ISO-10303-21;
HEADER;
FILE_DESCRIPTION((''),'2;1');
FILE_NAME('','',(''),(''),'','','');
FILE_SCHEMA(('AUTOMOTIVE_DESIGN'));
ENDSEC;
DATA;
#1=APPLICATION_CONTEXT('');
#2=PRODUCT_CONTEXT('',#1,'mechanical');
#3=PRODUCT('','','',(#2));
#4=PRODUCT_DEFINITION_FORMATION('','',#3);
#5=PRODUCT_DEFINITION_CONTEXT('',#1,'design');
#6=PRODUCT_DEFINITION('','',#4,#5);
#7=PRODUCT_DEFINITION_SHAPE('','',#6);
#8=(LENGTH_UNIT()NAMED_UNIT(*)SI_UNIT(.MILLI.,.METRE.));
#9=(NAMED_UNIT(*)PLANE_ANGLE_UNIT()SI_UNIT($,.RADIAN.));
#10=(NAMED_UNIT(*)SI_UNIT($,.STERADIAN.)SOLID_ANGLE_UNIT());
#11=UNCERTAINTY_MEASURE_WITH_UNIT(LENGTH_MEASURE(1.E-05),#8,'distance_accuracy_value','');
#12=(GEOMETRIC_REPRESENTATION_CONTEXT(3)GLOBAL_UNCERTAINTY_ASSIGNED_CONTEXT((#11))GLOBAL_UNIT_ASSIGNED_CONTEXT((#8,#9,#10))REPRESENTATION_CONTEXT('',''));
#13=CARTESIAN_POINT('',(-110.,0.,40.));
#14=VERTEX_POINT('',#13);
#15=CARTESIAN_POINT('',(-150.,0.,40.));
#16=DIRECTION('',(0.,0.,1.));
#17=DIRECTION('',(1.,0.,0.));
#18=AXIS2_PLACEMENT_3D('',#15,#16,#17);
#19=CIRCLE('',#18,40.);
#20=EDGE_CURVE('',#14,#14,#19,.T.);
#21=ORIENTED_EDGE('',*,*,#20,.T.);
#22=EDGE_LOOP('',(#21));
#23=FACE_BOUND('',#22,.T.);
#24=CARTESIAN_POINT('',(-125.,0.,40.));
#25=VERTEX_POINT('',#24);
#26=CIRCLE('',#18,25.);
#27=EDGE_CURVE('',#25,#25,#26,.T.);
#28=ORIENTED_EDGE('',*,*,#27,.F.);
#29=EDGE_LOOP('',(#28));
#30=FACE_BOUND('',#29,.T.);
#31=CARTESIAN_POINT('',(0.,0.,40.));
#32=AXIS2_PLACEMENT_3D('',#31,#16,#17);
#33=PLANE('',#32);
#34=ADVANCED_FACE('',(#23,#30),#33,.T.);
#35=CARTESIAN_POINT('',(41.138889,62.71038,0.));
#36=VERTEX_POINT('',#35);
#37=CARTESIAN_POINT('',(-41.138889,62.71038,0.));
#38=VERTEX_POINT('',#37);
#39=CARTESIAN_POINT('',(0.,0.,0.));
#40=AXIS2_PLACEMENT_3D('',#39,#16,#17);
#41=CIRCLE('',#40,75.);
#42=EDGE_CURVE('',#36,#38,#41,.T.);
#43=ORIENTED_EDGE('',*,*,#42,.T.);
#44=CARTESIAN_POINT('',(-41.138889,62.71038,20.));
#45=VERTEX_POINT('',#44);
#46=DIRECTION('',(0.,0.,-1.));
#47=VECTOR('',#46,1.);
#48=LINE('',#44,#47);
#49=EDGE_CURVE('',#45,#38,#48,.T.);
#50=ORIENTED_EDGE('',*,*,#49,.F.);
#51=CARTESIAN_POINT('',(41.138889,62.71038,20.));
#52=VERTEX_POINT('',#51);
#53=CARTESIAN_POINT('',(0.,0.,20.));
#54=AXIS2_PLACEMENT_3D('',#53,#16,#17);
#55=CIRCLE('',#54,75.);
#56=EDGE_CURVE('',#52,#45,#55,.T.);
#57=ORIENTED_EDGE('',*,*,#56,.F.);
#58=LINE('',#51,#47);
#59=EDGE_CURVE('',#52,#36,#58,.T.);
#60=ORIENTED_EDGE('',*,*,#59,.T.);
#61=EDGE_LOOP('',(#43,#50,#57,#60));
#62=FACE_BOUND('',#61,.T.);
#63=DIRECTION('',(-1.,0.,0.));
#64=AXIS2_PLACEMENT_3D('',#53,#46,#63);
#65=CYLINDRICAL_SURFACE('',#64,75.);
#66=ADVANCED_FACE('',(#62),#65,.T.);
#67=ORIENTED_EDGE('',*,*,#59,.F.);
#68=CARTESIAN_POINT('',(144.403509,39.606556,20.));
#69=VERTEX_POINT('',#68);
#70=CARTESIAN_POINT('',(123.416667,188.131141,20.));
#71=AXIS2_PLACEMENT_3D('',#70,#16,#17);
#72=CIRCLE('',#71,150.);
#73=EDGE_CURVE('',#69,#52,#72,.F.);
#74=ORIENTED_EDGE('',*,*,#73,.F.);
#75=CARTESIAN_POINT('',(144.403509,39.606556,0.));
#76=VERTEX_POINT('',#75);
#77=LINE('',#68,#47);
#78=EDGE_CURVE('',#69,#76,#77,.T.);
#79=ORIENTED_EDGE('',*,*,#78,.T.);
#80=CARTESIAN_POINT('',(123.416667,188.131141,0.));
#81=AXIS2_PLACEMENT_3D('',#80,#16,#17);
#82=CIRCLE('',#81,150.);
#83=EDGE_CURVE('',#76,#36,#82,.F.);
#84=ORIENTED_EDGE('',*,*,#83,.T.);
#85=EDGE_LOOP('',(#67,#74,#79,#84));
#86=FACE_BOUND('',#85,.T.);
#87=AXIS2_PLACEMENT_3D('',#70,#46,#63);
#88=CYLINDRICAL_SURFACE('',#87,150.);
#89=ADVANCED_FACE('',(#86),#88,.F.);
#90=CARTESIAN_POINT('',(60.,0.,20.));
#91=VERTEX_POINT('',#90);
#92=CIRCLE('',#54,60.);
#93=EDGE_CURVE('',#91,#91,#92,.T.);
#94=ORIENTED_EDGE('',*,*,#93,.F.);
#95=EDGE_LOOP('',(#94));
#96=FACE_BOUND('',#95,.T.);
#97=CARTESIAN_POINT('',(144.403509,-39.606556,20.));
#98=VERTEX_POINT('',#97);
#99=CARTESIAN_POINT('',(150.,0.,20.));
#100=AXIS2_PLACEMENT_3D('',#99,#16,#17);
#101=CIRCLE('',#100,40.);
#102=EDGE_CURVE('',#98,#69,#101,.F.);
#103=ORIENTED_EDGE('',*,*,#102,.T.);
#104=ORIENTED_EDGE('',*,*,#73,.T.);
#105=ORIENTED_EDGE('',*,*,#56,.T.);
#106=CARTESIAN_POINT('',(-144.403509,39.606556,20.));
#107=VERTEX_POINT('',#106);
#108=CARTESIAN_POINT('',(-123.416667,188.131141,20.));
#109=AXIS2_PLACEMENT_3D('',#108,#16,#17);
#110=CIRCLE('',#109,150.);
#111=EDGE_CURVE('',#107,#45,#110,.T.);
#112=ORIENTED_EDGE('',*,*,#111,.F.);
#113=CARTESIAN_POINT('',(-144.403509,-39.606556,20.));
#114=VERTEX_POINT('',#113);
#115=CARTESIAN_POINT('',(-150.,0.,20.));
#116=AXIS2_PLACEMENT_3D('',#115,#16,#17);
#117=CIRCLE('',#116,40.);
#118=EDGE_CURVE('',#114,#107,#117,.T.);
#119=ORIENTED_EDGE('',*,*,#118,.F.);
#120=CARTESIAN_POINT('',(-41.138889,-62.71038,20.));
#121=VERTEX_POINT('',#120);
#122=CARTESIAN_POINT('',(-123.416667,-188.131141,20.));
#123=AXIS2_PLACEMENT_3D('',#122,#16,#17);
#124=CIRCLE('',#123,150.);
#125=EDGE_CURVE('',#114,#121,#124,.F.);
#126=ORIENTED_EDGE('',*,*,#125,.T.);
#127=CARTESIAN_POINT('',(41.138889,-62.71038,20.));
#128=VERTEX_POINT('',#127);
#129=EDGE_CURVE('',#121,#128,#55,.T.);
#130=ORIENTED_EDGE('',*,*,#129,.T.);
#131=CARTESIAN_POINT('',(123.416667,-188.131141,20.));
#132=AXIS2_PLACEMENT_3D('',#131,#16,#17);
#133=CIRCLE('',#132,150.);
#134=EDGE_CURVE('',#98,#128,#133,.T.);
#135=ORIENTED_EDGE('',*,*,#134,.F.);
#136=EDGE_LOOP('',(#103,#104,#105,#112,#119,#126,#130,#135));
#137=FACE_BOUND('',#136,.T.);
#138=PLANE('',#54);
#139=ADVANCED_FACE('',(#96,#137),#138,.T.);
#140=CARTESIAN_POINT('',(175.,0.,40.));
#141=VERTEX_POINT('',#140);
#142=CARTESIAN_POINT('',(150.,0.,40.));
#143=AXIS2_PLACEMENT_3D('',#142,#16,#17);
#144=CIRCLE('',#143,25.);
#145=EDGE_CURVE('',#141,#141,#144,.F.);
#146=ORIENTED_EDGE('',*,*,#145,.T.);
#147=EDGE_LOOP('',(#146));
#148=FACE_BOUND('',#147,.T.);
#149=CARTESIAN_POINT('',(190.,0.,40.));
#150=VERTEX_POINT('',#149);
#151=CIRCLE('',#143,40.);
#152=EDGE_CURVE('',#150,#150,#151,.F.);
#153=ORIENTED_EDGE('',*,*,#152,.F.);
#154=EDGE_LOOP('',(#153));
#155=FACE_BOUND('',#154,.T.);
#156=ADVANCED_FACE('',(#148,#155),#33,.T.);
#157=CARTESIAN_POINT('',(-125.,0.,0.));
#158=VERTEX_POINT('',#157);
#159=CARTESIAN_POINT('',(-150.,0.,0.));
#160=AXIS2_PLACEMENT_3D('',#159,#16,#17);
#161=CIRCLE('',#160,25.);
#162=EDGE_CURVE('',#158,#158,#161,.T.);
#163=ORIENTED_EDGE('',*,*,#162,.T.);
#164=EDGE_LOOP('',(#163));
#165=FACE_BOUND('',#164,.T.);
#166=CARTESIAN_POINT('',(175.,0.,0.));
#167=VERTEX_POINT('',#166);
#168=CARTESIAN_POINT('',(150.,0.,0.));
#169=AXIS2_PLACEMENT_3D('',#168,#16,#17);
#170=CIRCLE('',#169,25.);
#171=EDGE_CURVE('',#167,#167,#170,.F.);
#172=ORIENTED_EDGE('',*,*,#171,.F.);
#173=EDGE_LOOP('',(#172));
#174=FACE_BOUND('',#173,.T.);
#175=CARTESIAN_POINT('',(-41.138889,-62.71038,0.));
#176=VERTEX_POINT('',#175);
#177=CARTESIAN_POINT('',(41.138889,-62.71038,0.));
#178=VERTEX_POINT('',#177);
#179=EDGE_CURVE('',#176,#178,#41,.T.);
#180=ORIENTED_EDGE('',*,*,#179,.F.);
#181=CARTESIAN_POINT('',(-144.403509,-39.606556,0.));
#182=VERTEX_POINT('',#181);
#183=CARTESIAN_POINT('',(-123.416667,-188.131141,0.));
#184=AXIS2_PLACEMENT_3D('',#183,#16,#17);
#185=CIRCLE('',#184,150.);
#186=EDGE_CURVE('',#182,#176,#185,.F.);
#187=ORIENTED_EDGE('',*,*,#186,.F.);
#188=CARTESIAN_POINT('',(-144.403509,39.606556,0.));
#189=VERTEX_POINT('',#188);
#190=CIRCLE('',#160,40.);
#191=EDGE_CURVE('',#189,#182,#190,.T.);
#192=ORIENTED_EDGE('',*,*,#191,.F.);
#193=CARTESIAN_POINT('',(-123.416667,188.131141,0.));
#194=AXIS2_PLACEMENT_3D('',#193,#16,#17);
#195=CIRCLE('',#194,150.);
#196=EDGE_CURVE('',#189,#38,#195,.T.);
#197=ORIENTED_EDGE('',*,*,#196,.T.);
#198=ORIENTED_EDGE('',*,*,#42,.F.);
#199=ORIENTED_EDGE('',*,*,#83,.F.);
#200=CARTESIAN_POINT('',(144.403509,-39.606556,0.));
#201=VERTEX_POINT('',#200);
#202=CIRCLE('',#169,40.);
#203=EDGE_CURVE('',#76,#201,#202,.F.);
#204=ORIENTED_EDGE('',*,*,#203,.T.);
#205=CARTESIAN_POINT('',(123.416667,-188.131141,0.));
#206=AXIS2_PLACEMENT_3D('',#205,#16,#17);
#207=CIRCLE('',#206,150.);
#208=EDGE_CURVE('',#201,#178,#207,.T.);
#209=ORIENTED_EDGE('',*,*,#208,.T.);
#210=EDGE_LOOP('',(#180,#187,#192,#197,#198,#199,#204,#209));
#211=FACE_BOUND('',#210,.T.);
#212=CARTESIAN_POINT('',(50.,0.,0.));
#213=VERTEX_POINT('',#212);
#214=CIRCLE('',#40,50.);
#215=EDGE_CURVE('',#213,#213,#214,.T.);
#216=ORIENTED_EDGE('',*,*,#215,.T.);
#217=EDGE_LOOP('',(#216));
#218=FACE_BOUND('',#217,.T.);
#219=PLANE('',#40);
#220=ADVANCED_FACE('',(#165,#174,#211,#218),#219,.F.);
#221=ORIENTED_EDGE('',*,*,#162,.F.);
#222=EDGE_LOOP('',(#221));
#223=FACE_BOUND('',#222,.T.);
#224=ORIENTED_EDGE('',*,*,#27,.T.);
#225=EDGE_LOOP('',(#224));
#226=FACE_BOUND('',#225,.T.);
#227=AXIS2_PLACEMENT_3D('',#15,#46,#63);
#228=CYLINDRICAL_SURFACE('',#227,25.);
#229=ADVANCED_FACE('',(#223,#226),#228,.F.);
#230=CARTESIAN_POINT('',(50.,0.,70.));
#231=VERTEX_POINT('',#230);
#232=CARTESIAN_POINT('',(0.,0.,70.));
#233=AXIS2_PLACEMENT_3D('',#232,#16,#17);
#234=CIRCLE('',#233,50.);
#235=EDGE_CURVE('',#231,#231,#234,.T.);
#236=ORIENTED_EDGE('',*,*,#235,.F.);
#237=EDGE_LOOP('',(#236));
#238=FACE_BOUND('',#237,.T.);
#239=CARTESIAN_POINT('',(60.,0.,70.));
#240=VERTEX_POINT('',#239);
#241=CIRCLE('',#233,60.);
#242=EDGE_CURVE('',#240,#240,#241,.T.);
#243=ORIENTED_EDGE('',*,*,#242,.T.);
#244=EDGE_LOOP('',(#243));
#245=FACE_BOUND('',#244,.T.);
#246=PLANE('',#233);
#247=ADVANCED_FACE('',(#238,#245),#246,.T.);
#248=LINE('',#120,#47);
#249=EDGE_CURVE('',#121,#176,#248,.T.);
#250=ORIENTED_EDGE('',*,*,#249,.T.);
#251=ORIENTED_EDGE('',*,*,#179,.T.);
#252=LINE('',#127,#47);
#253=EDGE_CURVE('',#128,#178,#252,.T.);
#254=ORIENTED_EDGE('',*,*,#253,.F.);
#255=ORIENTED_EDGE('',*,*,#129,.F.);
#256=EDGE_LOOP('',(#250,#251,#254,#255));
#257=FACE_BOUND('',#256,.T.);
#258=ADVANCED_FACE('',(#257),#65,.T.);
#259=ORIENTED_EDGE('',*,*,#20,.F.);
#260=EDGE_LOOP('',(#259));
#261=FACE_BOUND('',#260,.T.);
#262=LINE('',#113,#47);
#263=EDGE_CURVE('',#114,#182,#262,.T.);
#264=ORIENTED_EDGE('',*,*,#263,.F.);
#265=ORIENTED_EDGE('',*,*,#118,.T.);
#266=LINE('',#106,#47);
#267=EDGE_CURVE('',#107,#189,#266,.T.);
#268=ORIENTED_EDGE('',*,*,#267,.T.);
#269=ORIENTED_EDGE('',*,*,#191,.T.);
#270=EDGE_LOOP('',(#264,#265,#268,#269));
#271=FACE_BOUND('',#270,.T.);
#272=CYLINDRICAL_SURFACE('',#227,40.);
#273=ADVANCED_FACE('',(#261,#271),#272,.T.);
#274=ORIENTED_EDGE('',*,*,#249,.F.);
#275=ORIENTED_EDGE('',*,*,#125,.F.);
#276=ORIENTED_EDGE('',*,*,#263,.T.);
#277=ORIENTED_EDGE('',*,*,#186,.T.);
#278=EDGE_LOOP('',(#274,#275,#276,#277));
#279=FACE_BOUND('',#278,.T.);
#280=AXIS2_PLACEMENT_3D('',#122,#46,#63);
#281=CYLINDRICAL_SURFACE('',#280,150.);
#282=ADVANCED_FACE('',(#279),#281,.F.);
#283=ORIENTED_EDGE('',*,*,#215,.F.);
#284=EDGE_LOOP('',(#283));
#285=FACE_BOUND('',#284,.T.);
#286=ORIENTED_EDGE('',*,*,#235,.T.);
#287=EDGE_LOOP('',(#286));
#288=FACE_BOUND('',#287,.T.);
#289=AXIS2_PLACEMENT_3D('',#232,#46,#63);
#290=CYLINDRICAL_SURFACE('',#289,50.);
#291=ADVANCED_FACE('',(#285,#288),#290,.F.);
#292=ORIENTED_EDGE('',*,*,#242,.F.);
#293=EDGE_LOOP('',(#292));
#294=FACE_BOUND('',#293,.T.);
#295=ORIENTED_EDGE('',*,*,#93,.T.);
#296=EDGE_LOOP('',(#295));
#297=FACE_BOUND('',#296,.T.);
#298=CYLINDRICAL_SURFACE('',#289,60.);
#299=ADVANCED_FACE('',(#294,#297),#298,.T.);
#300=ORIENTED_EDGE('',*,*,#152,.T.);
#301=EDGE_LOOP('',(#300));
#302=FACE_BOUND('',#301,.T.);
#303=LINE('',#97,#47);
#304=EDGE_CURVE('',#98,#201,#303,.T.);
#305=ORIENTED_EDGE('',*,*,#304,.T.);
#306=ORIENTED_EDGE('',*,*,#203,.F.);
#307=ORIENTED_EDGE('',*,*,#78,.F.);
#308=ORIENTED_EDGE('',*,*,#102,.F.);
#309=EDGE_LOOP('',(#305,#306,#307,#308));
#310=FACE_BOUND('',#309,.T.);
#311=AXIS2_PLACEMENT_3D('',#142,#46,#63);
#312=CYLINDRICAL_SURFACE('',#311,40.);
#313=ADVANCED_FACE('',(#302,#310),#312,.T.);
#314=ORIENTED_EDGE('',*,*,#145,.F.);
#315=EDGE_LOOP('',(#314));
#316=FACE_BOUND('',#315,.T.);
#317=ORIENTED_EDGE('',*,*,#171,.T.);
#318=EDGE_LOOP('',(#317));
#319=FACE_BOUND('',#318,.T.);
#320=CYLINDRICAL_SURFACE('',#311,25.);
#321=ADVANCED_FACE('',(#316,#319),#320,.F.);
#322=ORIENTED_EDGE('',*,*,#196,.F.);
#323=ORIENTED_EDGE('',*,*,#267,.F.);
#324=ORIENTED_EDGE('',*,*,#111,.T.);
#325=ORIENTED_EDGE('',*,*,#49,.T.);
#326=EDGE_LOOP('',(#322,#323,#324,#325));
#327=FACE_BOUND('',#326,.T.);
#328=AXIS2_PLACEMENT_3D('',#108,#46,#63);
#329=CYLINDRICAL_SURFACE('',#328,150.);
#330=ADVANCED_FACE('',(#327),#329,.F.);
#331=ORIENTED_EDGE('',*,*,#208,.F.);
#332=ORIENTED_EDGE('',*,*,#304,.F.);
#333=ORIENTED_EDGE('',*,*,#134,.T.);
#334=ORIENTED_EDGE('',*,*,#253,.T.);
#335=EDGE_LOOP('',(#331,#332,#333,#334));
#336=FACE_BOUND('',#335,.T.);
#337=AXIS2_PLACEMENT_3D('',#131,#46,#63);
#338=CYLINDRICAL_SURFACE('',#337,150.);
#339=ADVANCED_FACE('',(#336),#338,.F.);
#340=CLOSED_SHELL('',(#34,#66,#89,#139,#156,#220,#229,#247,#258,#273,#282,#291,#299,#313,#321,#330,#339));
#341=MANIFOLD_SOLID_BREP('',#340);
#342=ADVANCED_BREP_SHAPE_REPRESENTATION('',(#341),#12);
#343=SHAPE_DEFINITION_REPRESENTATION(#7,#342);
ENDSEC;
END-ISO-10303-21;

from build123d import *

# Parameters (mm, degrees)
SKETCH1_R           = 60
BOSS_EXTRUDE1_DEPTH = 20
SKETCH1_3_R         = 60
SKETCH1_3_R_2       = 50
BOSS_EXTRUDE2_DEPTH = 70
SKETCH1_5_R         = 40
SKETCH1_5_R_2       = 25
BOSS_EXTRUDE3_DEPTH = 40


with BuildPart() as part:
    # Sketch1 → Boss-Extrude1 (new body)
    with BuildSketch(Plane.XY):
        with BuildLine():
            ThreePointArc((-144.403508772, -39.606556098), (-90.666225841, -41.750102304), (-41.138888889, -62.710380488))
            ThreePointArc((-41.138888889, -62.710380488), (0, -75), (41.138888889, -62.710380488))
            ThreePointArc((41.138888889, -62.710380488), (90.666225841, -41.750102304), (144.403508772, -39.606556098))
            ThreePointArc((144.403508772, -39.606556098), (110, 0), (144.403508772, 39.606556098))
            ThreePointArc((144.403508772, 39.606556098), (90.666225841, 41.750102304), (41.138888889, 62.710380488))
            ThreePointArc((41.138888889, 62.710380488), (0, 75), (-41.138888889, 62.710380488))
            ThreePointArc((-41.138888889, 62.710380488), (-90.666225841, 41.750102304), (-144.403508772, 39.606556098))
            ThreePointArc((-144.403508772, 39.606556098), (-119.801824152, 26.23109177), (-110, 0))
            ThreePointArc((-110, 0), (-119.801824152, -26.23109177), (-144.403508772, -39.606556098))
        make_face()
        Circle(SKETCH1_R, mode=Mode.SUBTRACT)
    extrude(amount=BOSS_EXTRUDE1_DEPTH)

    # Sketch1<3> → Boss-Extrude2 (add)
    with BuildSketch(Plane.XY):
        Circle(SKETCH1_3_R)
        Circle(SKETCH1_3_R_2, mode=Mode.SUBTRACT)
    extrude(amount=BOSS_EXTRUDE2_DEPTH)

    # Sketch1<5> → Boss-Extrude3 (add)
    # profile 1 of 2: a face of its own
    with BuildSketch(Plane.XY):
        with Locations((-150, 0)):
            Circle(SKETCH1_5_R)
        with Locations((-150, 0)):
            Circle(SKETCH1_5_R_2, mode=Mode.SUBTRACT)
    # profile 2 of 2: a face of its own
    with BuildSketch(Plane.XY):
        with Locations((150, 0)):
            Circle(SKETCH1_5_R)
        with Locations((150, 0)):
            Circle(SKETCH1_5_R_2, mode=Mode.SUBTRACT)
    extrude(amount=BOSS_EXTRUDE3_DEPTH)


solid = part.part
